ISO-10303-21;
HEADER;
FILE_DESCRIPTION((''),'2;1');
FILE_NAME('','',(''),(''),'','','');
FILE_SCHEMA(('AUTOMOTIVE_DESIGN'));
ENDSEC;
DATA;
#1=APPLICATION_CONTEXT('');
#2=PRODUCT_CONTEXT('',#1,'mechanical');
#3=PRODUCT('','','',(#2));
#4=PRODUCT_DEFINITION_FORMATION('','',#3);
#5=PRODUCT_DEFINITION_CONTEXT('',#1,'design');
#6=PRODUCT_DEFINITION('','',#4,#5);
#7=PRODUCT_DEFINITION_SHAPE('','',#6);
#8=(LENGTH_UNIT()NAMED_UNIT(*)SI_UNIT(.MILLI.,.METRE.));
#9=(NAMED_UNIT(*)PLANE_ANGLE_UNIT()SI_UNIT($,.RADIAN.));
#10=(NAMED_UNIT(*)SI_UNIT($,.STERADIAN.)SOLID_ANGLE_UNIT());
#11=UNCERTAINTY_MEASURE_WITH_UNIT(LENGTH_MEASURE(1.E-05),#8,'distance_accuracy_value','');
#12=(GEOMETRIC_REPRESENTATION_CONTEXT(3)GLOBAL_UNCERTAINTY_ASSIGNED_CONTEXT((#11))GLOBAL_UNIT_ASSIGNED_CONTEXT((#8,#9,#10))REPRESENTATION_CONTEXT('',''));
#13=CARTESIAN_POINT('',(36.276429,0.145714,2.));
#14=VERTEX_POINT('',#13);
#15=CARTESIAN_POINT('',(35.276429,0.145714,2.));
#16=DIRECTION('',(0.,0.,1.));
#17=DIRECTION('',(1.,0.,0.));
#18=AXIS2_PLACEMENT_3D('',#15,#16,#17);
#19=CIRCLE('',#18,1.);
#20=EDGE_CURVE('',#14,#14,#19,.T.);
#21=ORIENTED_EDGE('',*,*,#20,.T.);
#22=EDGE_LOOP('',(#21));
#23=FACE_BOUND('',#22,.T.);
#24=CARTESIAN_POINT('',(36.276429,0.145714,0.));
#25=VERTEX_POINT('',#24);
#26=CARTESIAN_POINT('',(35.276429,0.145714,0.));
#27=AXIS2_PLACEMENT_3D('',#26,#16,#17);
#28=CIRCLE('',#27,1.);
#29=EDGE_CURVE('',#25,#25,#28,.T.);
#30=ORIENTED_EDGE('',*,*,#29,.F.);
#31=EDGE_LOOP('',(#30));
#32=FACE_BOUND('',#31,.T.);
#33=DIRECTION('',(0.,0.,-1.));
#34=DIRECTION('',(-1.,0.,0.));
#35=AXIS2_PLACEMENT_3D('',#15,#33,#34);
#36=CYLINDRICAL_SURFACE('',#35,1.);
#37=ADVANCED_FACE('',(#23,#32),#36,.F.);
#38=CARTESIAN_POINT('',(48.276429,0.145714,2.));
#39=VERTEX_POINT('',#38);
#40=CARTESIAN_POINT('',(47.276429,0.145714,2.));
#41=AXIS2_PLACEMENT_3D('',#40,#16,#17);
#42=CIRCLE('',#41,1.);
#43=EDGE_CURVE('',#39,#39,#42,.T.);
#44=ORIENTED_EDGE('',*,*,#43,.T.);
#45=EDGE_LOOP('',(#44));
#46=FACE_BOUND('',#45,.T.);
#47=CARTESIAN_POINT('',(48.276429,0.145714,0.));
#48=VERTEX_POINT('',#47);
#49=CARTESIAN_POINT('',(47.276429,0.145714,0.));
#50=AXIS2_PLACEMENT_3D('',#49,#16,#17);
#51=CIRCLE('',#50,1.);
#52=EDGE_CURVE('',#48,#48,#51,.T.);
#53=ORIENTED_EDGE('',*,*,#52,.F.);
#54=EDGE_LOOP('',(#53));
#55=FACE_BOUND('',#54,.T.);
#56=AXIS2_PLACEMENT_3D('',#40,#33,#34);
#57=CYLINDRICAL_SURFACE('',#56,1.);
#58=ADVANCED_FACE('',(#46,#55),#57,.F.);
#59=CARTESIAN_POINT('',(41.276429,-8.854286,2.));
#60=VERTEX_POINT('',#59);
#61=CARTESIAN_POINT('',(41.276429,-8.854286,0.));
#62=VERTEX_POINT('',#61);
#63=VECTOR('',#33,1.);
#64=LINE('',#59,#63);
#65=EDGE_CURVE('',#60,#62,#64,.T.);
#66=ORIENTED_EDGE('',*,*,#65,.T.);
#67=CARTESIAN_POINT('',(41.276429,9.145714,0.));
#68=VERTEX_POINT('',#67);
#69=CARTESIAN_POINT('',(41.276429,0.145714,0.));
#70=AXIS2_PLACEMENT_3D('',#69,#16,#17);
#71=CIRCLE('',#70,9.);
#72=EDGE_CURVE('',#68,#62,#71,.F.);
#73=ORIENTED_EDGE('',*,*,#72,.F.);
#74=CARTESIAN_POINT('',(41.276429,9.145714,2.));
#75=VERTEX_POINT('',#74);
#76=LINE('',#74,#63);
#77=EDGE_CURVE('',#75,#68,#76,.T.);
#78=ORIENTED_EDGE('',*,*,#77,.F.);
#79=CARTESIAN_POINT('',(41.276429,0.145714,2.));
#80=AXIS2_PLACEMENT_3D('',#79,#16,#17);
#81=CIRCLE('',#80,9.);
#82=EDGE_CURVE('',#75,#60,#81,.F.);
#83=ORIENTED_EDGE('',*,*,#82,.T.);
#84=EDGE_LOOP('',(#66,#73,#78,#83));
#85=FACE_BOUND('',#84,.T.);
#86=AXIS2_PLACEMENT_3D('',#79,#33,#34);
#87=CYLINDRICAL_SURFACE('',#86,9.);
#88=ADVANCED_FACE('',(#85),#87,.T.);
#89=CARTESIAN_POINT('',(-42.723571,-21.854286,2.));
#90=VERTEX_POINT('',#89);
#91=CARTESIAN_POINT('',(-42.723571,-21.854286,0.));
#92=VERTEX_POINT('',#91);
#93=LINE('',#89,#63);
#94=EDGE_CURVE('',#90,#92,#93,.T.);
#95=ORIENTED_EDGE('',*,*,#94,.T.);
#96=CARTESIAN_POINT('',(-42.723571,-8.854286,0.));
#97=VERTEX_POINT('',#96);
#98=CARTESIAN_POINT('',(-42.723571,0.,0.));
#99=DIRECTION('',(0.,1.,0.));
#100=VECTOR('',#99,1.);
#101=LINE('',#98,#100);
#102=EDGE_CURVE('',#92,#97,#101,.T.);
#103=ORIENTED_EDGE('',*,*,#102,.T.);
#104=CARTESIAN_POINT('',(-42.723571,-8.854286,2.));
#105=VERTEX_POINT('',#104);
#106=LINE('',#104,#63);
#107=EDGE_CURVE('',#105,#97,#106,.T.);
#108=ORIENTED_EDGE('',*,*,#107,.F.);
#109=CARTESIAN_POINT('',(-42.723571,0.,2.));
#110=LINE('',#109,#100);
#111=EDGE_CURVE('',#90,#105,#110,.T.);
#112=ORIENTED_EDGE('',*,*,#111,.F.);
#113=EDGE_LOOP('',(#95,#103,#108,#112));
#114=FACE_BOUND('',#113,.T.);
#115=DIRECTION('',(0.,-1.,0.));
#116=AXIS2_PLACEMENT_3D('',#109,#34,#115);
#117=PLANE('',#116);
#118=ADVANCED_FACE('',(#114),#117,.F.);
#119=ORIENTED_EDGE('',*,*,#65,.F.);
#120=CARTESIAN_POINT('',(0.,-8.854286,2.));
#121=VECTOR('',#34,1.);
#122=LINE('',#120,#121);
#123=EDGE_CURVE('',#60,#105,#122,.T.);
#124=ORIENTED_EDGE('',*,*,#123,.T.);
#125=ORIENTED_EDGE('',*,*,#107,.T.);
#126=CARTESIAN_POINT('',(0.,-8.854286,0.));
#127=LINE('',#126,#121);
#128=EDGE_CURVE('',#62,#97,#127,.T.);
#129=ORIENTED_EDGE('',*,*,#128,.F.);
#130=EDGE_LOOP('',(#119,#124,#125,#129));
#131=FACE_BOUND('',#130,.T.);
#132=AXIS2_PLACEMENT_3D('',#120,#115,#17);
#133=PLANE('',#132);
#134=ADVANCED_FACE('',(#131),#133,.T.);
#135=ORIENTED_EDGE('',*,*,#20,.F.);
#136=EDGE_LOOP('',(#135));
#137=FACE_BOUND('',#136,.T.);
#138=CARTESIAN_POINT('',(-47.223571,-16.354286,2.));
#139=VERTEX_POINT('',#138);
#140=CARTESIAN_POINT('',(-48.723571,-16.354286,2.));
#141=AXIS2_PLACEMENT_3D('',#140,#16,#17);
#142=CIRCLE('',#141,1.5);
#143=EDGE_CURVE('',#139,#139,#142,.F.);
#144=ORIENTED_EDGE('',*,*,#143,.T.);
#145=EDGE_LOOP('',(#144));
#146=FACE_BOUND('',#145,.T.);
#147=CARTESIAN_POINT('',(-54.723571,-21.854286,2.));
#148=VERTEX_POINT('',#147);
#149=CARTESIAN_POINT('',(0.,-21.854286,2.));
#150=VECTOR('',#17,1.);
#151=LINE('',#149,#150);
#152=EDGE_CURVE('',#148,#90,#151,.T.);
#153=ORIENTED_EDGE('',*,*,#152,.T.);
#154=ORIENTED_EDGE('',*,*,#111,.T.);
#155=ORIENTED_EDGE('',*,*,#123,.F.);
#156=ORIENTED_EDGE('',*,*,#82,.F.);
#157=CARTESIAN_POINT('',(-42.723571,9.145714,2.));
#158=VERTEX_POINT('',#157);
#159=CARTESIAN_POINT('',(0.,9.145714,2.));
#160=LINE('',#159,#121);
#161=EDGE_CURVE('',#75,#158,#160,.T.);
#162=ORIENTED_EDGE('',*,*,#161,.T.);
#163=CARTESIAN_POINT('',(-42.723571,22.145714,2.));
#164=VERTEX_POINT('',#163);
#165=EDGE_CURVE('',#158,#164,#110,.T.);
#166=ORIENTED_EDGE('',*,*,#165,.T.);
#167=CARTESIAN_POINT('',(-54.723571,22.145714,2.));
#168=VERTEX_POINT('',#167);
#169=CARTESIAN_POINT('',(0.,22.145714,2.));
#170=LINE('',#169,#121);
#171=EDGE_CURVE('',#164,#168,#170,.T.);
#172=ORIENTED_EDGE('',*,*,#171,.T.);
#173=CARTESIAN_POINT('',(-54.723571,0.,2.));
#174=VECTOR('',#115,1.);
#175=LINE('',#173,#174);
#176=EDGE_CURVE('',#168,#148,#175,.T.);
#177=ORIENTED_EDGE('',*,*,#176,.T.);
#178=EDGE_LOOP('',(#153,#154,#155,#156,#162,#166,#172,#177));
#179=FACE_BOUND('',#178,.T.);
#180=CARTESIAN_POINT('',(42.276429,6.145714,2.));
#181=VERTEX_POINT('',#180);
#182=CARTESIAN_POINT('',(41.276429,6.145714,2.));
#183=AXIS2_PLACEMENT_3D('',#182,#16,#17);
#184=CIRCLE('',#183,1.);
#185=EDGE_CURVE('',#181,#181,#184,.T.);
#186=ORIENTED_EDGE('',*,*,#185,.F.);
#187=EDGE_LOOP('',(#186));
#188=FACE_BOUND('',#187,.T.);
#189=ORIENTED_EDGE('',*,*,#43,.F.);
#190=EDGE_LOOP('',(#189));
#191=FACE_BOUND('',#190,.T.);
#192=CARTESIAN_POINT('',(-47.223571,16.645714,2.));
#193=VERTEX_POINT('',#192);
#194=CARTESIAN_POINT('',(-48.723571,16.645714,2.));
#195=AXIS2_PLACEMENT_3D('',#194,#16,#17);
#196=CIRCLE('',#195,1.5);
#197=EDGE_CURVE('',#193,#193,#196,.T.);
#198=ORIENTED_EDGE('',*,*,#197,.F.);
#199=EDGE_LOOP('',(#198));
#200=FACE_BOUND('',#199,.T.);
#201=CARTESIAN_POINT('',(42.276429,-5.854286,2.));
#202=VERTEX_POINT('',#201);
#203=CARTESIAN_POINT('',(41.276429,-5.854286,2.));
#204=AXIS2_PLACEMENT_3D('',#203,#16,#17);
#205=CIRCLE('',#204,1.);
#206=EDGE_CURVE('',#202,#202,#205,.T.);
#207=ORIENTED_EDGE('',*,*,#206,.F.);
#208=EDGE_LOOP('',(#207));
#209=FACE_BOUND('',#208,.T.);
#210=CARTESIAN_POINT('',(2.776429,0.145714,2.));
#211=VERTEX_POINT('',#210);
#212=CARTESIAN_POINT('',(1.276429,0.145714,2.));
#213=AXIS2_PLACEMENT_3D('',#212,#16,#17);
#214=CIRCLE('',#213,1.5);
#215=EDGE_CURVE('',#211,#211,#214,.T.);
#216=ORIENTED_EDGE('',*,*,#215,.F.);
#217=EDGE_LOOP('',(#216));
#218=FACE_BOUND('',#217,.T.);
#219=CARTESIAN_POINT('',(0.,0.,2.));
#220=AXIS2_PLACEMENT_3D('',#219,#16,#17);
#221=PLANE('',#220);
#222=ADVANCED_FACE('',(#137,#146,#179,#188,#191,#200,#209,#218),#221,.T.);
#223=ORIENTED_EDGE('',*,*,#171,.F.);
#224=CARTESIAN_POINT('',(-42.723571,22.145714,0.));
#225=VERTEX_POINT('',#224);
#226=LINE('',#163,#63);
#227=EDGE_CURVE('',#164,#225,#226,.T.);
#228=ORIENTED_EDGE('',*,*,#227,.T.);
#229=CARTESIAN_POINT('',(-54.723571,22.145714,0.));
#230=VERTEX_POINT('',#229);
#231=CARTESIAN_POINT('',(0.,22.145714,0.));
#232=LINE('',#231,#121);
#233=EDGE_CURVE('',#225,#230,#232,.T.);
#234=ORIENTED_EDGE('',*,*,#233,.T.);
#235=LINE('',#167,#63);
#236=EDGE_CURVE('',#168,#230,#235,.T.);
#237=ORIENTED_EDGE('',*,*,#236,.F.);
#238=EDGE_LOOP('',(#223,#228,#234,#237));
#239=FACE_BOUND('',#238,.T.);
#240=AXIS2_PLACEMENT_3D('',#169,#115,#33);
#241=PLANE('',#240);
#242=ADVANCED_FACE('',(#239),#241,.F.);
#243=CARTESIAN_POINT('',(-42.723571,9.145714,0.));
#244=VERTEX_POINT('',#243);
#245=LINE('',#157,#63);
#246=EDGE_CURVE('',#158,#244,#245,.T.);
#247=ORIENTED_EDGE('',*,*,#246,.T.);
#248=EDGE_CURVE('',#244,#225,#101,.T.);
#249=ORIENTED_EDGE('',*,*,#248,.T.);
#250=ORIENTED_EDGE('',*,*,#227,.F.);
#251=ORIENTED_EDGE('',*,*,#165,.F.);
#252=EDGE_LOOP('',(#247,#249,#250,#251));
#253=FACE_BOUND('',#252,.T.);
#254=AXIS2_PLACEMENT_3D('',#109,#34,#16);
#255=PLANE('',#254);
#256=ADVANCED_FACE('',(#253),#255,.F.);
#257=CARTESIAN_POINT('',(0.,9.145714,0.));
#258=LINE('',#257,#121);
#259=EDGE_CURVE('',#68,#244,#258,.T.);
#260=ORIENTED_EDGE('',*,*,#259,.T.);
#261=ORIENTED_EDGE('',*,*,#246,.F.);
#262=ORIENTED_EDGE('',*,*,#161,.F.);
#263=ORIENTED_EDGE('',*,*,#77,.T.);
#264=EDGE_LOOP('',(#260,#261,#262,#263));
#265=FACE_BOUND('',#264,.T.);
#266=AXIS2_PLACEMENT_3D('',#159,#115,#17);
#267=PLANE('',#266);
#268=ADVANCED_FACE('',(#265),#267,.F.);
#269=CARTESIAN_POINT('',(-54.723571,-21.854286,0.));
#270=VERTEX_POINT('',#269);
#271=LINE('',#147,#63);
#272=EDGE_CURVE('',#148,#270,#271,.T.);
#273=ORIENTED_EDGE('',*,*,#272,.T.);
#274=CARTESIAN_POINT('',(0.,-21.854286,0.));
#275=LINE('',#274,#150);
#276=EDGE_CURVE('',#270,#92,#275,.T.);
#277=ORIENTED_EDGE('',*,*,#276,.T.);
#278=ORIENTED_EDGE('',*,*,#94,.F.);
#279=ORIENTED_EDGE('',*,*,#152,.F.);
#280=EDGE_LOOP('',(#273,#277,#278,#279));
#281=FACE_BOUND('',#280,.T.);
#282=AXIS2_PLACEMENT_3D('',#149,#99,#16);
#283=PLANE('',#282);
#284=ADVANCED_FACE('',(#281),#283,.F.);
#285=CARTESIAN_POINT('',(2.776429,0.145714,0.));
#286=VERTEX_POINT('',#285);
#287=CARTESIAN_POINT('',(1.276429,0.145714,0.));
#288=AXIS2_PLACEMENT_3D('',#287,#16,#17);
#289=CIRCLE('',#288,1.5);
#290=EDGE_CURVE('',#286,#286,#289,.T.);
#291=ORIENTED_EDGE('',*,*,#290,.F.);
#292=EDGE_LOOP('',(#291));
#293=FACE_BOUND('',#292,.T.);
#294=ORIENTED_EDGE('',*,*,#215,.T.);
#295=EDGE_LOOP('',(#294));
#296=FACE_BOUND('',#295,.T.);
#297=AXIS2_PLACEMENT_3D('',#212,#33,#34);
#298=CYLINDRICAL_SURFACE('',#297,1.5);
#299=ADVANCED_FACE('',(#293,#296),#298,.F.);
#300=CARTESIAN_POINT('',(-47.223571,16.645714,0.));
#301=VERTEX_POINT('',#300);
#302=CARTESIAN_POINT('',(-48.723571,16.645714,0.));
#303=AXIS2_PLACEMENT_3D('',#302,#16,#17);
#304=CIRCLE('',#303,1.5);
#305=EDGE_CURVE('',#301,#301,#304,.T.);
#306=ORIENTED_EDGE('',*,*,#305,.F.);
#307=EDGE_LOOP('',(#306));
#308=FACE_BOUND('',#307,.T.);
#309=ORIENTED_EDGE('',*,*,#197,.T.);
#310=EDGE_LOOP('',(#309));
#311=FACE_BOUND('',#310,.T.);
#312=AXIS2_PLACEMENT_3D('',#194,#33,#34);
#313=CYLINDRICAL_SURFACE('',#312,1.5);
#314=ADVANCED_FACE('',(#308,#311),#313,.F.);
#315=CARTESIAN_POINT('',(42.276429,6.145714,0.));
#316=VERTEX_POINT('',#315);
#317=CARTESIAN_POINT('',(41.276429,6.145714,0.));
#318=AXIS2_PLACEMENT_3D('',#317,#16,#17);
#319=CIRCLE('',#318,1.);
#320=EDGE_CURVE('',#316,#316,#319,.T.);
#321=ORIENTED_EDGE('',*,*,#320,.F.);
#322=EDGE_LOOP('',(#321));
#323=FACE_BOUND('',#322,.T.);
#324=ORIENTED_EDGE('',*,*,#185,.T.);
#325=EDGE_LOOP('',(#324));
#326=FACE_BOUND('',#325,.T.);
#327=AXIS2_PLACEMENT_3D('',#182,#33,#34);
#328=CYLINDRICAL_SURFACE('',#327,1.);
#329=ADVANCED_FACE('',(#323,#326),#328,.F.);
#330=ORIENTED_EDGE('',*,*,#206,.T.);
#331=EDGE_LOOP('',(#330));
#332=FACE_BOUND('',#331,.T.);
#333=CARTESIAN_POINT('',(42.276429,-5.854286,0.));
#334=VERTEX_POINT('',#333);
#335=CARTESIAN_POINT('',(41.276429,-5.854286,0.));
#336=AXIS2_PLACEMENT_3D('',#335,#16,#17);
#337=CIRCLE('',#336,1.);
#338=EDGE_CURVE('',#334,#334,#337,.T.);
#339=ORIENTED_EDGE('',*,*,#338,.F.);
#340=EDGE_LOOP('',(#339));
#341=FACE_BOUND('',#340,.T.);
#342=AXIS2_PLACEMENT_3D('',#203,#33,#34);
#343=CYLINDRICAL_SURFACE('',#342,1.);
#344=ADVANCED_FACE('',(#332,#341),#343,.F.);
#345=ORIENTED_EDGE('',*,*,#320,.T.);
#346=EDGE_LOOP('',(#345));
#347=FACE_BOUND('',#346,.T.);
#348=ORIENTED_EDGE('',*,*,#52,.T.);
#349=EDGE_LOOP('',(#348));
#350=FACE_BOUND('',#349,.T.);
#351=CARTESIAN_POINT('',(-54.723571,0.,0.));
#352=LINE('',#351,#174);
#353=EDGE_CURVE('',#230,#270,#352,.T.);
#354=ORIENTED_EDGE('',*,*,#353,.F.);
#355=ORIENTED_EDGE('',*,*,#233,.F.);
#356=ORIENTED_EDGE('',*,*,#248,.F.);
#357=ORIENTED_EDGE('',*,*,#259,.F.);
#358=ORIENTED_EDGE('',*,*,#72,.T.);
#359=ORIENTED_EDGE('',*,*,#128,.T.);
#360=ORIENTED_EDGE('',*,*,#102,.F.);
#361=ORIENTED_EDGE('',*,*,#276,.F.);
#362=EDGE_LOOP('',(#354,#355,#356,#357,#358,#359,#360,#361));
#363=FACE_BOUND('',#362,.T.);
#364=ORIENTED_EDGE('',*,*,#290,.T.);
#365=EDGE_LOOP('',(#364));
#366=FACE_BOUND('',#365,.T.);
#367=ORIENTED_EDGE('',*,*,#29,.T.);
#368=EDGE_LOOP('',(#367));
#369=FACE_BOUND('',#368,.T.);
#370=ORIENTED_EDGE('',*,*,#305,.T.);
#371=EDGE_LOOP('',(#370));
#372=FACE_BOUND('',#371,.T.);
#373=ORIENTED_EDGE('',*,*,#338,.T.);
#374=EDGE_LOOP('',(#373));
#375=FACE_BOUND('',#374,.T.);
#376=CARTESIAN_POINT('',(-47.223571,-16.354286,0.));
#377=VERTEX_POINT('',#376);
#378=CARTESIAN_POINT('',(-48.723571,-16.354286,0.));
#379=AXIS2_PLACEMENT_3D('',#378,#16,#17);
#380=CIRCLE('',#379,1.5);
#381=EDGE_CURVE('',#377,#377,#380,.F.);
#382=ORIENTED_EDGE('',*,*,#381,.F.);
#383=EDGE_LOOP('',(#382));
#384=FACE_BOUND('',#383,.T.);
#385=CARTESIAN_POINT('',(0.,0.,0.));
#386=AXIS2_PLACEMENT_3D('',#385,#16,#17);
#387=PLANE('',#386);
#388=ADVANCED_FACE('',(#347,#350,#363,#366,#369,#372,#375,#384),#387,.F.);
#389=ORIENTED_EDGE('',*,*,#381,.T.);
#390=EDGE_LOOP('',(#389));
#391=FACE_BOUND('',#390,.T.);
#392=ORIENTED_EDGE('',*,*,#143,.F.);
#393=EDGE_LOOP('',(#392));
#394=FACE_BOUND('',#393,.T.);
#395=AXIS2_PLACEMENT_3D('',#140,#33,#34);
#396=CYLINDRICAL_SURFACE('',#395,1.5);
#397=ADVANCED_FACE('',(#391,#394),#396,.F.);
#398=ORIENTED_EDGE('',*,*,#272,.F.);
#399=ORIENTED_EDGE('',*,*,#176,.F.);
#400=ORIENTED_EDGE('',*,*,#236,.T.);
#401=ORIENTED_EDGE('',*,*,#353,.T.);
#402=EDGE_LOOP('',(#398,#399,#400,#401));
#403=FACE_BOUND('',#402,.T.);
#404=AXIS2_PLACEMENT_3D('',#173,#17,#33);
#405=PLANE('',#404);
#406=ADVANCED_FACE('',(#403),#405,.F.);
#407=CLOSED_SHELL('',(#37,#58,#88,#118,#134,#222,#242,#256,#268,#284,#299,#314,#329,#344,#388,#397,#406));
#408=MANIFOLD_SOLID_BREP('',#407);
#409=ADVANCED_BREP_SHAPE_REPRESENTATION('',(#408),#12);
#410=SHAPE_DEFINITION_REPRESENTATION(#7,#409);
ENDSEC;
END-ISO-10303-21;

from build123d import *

# Parameters (mm, degrees)
SKETCH_1_R      = 1.5
SKETCH_1_R_2    = 1
EXTRUDE_1_DEPTH = 2


with BuildPart() as part:
    # 草图1 → 凸台-拉伸1 (new body)
    with BuildSketch(Plane.XY):
        with BuildLine():
            Line((41.276428571, -8.854285714), (-42.723571429, -8.854285714))
            Line((-42.723571429, -8.854285714), (-42.723571429, -21.854285714))
            Line((-42.723571429, -21.854285714), (-54.723571429, -21.854285714))
            Line((-54.723571429, -21.854285714), (-54.723571429, 22.145714286))
            Line((-54.723571429, 22.145714286), (-42.723571429, 22.145714286))
            Line((-42.723571429, 22.145714286), (-42.723571429, 9.145714286))
            Line((-42.723571429, 9.145714286), (41.276428571, 9.145714286))
            ThreePointArc((41.276428571, 9.145714286), (50.276428571, 0.145714286), (41.276428571, -8.854285714))
        make_face()
        with Locations((1.276428571, 0.145714286)):
            Circle(SKETCH_1_R, mode=Mode.SUBTRACT)
        with Locations((-48.723571429, 16.645714286)):
            Circle(SKETCH_1_R, mode=Mode.SUBTRACT)
        with Locations((-48.723571429, -16.354285714)):
            Circle(SKETCH_1_R, mode=Mode.SUBTRACT)
        with Locations((41.276428571, 6.145714286)):
            Circle(SKETCH_1_R_2, mode=Mode.SUBTRACT)
        with Locations((47.276428571, 0.145714286)):
            Circle(SKETCH_1_R_2, mode=Mode.SUBTRACT)
        with Locations((41.276428571, -5.854285714)):
            Circle(SKETCH_1_R_2, mode=Mode.SUBTRACT)
        with Locations((35.276428571, 0.145714286)):
            Circle(SKETCH_1_R_2, mode=Mode.SUBTRACT)
    extrude(amount=EXTRUDE_1_DEPTH)


solid = part.part
